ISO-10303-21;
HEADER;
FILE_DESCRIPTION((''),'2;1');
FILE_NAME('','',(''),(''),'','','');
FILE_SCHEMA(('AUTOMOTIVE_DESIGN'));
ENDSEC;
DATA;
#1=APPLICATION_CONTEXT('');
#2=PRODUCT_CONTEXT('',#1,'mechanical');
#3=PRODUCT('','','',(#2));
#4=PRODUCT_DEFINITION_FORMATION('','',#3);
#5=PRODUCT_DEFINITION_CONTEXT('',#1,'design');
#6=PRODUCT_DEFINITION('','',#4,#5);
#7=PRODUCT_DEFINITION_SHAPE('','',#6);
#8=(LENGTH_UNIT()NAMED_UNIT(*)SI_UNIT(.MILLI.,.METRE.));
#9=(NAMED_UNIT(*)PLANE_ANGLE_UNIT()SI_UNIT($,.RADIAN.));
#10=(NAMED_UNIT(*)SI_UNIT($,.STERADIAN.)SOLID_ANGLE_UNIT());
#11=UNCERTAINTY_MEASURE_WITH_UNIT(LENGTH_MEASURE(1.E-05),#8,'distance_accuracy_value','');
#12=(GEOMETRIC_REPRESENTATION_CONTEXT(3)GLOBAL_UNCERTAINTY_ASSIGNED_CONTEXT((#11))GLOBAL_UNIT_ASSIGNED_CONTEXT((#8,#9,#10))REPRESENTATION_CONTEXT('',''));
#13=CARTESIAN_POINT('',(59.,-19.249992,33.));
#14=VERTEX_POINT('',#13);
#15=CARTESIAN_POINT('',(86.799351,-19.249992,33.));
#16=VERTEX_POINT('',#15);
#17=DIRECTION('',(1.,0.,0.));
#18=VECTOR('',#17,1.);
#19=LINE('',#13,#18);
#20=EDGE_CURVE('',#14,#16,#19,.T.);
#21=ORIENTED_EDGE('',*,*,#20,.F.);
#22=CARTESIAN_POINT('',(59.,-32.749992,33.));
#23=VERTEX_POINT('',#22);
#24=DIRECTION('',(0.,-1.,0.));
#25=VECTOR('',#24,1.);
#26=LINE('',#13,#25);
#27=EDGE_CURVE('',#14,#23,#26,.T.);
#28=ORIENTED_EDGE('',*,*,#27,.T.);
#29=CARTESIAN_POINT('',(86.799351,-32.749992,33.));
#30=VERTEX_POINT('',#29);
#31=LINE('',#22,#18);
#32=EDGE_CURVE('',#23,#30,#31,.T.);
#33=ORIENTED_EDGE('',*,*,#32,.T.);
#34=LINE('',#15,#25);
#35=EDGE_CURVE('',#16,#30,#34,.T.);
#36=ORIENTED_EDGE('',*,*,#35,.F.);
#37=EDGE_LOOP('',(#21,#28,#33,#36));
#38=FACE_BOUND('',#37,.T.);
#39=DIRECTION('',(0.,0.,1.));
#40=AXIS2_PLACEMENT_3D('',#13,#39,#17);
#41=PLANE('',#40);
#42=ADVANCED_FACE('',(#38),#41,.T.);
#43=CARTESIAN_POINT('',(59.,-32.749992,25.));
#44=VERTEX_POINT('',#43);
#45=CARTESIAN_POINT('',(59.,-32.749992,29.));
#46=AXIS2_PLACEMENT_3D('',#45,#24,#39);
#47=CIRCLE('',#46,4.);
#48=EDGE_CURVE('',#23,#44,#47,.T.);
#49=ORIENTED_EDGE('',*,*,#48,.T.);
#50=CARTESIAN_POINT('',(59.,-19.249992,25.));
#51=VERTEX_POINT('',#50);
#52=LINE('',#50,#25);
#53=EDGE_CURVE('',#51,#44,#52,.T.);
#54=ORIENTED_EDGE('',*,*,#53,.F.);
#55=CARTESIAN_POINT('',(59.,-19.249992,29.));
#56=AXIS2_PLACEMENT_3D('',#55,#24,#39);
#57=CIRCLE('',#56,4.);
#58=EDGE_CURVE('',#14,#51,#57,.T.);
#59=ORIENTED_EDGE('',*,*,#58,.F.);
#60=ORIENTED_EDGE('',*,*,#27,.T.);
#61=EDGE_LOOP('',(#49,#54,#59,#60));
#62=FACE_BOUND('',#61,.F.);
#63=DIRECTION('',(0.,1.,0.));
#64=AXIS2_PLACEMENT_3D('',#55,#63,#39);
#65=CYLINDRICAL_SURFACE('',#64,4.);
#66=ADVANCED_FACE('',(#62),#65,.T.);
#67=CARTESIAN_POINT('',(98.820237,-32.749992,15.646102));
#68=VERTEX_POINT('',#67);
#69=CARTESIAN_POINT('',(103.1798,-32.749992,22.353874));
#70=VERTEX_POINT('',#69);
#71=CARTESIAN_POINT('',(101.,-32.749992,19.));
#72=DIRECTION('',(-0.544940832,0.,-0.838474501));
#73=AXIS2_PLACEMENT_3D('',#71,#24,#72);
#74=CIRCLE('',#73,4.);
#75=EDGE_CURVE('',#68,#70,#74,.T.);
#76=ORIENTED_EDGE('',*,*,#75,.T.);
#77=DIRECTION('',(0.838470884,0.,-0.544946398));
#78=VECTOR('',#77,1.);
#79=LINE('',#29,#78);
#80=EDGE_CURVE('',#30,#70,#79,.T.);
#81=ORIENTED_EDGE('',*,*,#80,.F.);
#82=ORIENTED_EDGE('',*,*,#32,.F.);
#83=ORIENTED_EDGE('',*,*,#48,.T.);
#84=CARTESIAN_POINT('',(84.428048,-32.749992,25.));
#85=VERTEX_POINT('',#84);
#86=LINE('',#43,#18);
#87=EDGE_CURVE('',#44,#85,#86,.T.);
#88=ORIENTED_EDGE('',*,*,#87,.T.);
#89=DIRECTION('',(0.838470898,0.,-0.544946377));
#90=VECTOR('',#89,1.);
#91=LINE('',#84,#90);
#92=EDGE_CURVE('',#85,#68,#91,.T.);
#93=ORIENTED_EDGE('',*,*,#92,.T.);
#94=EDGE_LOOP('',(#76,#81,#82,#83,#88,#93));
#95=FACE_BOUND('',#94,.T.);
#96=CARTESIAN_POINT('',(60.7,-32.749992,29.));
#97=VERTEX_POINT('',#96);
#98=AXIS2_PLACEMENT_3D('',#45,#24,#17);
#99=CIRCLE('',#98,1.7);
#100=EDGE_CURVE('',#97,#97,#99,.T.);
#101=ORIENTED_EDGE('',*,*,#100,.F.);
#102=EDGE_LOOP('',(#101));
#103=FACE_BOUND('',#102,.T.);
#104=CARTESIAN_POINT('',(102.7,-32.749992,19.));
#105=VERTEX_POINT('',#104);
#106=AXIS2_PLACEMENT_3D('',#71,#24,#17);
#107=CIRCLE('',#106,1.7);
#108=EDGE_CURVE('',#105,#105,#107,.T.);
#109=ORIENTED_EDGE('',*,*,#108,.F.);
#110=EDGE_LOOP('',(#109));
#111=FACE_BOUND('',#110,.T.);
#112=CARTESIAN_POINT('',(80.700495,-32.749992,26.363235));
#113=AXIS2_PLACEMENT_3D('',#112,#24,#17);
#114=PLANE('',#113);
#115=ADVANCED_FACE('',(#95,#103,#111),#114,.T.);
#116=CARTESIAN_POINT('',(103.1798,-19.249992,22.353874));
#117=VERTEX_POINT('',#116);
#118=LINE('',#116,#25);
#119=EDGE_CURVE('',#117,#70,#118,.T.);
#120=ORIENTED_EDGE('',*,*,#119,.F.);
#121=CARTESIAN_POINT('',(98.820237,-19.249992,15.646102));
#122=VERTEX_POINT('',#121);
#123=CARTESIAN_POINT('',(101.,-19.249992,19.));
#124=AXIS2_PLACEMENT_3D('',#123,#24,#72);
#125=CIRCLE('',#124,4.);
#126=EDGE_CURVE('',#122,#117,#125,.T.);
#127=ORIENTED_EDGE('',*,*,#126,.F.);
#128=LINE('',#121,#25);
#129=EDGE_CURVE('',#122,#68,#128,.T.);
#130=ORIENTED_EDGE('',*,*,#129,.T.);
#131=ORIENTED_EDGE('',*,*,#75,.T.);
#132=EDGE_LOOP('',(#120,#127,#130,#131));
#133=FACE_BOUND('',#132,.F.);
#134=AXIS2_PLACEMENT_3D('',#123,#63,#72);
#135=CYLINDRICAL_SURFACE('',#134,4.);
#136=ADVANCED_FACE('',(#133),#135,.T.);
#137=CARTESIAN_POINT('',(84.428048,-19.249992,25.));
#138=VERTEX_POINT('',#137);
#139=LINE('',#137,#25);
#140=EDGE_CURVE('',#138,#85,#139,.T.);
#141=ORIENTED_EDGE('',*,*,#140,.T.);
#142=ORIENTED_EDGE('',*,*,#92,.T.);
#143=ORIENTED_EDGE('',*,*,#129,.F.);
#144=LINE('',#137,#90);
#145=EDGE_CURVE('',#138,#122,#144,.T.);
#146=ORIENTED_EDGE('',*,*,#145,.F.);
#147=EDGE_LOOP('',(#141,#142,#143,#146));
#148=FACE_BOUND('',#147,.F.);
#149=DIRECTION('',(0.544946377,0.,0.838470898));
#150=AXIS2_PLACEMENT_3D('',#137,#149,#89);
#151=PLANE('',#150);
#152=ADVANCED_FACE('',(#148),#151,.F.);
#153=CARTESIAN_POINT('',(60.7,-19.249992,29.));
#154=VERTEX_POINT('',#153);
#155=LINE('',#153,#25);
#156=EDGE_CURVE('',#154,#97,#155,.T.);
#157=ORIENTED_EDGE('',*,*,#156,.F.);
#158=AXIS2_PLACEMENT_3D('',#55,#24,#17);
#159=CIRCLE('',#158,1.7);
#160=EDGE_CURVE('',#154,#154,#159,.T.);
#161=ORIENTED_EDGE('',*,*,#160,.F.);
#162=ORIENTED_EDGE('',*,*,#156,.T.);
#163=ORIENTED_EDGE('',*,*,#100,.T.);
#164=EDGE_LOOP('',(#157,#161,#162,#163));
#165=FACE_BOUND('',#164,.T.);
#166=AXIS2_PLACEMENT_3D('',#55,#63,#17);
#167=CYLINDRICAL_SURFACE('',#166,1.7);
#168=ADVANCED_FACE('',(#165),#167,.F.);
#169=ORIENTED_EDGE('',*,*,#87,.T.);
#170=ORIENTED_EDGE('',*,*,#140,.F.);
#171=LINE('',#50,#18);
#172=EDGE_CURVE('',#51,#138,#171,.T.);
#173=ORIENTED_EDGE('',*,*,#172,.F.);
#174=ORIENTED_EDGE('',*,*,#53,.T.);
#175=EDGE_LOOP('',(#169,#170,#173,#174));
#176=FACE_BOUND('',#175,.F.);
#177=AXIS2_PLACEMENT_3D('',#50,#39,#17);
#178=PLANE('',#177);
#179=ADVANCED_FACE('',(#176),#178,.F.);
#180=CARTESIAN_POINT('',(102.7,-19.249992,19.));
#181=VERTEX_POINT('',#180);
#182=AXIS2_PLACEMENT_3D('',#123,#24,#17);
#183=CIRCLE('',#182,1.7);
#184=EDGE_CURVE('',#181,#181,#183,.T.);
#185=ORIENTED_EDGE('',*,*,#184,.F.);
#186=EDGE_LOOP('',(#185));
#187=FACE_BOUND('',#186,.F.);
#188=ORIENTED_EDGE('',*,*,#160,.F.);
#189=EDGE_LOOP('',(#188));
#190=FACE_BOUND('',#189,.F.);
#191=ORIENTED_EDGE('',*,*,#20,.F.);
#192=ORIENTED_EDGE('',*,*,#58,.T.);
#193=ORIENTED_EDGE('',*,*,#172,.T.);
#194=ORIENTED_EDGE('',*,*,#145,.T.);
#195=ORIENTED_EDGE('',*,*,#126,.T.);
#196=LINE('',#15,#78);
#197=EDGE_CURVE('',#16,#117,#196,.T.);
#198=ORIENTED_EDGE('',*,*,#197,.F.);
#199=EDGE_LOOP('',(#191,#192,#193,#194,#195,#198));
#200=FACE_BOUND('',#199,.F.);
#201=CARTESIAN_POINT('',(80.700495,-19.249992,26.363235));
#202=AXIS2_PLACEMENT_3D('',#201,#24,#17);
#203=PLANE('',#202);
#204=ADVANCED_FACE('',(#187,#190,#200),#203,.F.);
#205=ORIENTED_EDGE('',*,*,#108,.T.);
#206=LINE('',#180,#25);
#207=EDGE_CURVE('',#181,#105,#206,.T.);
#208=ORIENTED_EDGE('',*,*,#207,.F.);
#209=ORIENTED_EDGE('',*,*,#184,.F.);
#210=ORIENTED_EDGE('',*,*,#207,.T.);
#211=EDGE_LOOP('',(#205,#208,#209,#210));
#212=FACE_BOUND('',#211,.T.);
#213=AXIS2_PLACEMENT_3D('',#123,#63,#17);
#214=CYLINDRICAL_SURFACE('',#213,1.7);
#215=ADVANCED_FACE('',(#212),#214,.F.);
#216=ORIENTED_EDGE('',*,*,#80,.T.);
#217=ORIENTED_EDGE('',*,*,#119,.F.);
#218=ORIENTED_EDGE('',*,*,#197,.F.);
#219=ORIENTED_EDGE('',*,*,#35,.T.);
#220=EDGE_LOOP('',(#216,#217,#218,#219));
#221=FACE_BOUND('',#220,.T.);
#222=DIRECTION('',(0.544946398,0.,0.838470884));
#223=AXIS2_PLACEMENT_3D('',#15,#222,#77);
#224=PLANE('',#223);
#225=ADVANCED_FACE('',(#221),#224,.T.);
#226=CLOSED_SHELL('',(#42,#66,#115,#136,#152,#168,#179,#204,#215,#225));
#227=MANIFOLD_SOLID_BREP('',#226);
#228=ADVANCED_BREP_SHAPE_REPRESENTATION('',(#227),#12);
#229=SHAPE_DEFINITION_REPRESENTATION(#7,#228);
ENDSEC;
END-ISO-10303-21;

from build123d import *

# Parameters (mm, degrees)
SKETCH007_R  = 1.7
PAD007_DEPTH = 13.5


with BuildPart() as clone_of_lega:
    # Sketch007 → Pad007 (new body)
    with BuildSketch(Plane(origin=(0, 19.25, 0), x_dir=(-1, 0, 0), z_dir=(0, 1, 0))):
        with BuildLine():
            ThreePointArc((59, 33), (55, 29), (59, 25))
            Line((59, 25), (84.428048, 25))
            Line((84.428048, 25), (98.820237, 15.646102))
            ThreePointArc((98.820237, 15.646102), (104.353886, 16.820218), (103.1798, 22.353874))
            Line((86.799351, 33), (103.1798, 22.353874))
            Line((59, 33), (86.799351, 33))
        make_face()
        with Locations((59, 29)):
            Circle(SKETCH007_R, mode=Mode.SUBTRACT)
        with Locations((101, 19)):
            Circle(SKETCH007_R, mode=Mode.SUBTRACT)
    extrude(amount=PAD007_DEPTH)


with BuildPart() as part_mirroring014:
    # Part__Mirroring014: instance of Clone of legA
    add(clone_of_lega.part.mirror(Plane(origin=(0, 0, 0), x_dir=(0, -1, 0), z_dir=(1, 0, 0))))


with BuildPart() as part_mirroring022:
    # Part__Mirroring022: instance of Part__Mirroring014
    add(part_mirroring014.part.mirror(Plane(origin=(67.968658, 4e-06, 24.002777), x_dir=(1, 0, 0), z_dir=(0, 1, 0))))


solid = part_mirroring022.part
